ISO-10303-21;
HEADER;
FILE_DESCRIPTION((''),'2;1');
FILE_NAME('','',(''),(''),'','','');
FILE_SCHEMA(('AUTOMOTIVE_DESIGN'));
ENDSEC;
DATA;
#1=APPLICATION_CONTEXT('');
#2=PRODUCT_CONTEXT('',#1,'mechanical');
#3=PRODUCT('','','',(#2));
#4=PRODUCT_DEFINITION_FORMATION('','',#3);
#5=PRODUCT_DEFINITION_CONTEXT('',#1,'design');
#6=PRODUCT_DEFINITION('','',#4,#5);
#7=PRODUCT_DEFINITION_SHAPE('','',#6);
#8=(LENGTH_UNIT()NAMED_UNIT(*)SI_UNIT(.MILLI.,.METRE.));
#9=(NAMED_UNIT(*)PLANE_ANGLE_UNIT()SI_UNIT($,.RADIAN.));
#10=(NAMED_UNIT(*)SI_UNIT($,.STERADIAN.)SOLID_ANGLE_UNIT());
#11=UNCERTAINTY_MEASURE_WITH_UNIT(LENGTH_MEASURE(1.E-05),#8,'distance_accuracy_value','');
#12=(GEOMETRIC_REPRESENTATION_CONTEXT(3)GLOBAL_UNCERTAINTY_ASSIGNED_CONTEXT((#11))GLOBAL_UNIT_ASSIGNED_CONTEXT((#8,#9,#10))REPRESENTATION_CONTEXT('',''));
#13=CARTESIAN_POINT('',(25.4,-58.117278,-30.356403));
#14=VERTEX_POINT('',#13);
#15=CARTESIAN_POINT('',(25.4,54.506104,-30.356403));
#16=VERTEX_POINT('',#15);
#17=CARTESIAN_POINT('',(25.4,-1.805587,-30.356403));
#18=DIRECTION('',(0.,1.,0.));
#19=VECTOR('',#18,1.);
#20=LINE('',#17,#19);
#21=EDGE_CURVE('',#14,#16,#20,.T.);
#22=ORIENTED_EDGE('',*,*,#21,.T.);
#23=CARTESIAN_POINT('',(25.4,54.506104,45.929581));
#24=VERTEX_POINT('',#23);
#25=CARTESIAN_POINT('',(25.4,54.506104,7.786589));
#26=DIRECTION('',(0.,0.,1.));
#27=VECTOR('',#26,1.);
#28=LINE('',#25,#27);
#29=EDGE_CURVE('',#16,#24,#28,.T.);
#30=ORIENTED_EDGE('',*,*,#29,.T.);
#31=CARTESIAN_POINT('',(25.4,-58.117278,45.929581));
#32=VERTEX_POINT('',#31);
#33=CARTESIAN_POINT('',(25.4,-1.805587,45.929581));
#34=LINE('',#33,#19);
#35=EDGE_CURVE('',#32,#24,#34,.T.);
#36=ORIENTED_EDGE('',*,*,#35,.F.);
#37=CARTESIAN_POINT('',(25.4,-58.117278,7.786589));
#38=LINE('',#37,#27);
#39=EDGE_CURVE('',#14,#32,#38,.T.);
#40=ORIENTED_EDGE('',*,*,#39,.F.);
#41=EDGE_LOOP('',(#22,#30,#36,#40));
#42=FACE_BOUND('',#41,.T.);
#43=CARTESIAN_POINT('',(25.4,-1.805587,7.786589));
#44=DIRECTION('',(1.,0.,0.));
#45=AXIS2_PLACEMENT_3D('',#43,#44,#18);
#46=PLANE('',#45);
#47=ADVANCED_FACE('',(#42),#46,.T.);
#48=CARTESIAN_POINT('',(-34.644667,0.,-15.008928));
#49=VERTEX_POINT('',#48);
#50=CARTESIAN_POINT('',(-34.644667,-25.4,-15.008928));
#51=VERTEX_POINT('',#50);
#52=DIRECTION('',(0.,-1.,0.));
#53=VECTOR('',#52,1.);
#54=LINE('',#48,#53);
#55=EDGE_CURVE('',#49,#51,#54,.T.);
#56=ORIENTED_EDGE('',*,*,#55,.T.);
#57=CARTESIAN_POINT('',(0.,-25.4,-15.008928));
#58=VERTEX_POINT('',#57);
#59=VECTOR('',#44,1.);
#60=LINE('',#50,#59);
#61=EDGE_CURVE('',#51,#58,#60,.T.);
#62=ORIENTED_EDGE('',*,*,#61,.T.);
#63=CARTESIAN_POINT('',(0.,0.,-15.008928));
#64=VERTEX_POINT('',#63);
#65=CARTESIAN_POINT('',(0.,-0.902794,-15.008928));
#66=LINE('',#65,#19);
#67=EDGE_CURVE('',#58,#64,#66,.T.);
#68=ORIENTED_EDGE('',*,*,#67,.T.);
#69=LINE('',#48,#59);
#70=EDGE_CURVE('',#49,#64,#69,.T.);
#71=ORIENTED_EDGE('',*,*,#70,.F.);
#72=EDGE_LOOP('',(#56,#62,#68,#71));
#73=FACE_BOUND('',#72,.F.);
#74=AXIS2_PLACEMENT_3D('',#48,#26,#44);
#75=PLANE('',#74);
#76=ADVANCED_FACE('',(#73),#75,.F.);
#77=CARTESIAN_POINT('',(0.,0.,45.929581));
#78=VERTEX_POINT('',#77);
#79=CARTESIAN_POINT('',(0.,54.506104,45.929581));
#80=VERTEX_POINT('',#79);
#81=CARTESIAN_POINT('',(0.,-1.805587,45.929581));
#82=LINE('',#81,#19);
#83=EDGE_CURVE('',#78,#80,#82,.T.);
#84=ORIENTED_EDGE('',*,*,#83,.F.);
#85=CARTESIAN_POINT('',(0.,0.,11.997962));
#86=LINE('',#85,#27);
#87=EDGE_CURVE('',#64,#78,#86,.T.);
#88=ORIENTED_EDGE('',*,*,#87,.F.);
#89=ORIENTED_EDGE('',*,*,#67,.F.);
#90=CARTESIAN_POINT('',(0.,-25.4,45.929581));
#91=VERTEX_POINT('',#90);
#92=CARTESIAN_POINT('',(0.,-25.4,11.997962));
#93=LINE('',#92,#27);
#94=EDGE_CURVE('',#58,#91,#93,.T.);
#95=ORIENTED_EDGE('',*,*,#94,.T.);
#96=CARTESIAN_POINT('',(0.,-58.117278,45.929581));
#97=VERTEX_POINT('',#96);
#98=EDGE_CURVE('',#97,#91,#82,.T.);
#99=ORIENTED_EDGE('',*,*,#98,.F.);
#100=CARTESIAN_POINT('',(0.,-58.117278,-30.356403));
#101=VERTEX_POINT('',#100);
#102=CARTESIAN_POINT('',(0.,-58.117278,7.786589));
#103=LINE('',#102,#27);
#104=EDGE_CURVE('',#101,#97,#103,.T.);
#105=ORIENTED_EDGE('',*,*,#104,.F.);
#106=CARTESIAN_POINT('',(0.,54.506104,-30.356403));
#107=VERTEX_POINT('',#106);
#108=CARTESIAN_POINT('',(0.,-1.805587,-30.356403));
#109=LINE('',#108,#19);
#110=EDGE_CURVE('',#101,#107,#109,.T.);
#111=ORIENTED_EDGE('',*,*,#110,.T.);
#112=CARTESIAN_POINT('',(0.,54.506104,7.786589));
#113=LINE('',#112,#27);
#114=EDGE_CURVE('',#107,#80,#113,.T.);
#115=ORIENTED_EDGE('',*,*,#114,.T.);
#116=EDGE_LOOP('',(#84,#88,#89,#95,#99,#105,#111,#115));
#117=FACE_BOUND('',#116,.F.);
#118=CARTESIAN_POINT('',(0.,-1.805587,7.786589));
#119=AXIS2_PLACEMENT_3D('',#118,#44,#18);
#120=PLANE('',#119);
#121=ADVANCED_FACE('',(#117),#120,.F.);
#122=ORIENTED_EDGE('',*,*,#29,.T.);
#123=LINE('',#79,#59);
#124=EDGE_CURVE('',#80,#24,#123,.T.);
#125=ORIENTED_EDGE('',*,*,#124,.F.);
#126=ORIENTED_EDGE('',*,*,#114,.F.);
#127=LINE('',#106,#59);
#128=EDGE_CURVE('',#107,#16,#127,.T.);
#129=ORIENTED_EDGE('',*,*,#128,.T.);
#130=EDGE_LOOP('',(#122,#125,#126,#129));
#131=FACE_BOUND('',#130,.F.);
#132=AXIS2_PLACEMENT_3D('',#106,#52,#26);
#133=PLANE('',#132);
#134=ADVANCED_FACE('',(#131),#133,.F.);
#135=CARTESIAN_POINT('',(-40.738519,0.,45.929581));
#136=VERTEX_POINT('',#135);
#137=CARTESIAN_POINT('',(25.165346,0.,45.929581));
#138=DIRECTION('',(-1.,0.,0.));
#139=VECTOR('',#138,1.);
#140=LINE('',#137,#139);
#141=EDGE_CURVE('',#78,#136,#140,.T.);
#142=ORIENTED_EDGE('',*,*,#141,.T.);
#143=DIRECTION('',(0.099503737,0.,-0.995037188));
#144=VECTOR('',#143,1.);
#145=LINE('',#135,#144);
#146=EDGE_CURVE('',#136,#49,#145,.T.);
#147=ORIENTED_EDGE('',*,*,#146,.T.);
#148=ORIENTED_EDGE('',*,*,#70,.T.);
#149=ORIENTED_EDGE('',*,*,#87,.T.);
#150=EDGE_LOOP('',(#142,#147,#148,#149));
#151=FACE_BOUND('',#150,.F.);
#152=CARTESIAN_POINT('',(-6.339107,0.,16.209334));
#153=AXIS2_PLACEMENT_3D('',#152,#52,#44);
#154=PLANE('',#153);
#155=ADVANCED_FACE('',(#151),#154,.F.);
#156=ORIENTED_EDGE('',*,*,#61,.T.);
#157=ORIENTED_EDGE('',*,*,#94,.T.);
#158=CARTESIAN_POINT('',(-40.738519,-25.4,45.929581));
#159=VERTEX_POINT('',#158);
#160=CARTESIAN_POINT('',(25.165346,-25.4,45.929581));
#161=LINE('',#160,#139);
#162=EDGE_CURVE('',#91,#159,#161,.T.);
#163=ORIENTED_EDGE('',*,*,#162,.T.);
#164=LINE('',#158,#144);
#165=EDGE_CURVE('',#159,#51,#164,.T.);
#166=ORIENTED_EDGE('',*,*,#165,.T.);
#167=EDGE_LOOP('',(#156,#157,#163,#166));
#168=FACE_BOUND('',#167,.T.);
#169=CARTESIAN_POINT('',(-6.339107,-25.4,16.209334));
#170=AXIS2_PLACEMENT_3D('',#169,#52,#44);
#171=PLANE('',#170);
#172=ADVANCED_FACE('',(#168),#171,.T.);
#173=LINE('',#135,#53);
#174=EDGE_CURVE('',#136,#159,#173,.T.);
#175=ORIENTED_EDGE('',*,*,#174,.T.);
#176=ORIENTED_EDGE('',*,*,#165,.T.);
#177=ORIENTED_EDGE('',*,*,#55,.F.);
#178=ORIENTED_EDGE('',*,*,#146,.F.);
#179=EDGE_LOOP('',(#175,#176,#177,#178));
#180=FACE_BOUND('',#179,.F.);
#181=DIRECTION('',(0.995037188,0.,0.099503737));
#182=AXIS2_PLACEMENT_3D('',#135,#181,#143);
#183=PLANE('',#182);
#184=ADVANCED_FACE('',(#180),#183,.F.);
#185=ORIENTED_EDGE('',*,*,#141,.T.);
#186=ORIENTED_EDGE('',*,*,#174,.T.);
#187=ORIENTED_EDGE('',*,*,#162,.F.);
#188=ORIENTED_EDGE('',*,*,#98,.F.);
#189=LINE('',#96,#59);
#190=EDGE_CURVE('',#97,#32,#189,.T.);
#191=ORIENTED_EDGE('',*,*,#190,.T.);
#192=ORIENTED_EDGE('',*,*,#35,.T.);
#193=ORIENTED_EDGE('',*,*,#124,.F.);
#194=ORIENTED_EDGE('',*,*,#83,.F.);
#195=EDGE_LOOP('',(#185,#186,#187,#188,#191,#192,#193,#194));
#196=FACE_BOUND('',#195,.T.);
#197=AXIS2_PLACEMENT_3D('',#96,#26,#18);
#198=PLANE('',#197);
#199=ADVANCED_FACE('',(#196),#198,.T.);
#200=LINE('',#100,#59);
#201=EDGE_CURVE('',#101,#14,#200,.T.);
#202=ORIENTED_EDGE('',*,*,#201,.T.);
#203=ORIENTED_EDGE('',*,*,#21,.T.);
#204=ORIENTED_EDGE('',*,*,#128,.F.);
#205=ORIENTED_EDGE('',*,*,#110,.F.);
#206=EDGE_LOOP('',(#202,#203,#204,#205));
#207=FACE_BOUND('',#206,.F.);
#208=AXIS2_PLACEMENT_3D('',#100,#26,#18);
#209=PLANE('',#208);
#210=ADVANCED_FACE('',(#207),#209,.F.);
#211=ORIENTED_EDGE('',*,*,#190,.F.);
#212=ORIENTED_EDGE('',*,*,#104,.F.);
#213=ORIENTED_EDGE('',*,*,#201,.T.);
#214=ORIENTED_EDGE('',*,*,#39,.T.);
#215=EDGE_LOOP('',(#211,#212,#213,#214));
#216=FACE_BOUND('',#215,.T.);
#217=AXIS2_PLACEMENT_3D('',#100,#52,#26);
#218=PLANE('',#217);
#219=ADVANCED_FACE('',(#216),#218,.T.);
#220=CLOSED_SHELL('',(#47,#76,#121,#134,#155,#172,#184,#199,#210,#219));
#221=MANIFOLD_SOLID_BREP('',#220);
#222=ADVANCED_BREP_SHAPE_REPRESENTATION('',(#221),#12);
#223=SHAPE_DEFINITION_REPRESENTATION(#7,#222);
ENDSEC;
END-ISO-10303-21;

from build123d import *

# Parameters (mm, degrees)
F1_DEPTH = 25.4
F2_W     = 112.623382
F2_H     = 76.285984
F3_DEPTH = 25.4


with BuildPart() as f1:
    # F0 (on Front) → F1 (new body)
    with BuildSketch(Plane.XZ):
        Polygon((25.165346, 45.929581), (-40.738519, 45.929581), (-34.644667, -15.008928), (25.165346, -15.008928), align=None)
    extrude(amount=F1_DEPTH)

    # F2 (on Right) → F3 (join)
    with BuildSketch(Plane.YZ):
        with Locations((-1.805587, 7.786589)):
            Rectangle(F2_W, F2_H)
    extrude(amount=F3_DEPTH)


solid = f1.part
